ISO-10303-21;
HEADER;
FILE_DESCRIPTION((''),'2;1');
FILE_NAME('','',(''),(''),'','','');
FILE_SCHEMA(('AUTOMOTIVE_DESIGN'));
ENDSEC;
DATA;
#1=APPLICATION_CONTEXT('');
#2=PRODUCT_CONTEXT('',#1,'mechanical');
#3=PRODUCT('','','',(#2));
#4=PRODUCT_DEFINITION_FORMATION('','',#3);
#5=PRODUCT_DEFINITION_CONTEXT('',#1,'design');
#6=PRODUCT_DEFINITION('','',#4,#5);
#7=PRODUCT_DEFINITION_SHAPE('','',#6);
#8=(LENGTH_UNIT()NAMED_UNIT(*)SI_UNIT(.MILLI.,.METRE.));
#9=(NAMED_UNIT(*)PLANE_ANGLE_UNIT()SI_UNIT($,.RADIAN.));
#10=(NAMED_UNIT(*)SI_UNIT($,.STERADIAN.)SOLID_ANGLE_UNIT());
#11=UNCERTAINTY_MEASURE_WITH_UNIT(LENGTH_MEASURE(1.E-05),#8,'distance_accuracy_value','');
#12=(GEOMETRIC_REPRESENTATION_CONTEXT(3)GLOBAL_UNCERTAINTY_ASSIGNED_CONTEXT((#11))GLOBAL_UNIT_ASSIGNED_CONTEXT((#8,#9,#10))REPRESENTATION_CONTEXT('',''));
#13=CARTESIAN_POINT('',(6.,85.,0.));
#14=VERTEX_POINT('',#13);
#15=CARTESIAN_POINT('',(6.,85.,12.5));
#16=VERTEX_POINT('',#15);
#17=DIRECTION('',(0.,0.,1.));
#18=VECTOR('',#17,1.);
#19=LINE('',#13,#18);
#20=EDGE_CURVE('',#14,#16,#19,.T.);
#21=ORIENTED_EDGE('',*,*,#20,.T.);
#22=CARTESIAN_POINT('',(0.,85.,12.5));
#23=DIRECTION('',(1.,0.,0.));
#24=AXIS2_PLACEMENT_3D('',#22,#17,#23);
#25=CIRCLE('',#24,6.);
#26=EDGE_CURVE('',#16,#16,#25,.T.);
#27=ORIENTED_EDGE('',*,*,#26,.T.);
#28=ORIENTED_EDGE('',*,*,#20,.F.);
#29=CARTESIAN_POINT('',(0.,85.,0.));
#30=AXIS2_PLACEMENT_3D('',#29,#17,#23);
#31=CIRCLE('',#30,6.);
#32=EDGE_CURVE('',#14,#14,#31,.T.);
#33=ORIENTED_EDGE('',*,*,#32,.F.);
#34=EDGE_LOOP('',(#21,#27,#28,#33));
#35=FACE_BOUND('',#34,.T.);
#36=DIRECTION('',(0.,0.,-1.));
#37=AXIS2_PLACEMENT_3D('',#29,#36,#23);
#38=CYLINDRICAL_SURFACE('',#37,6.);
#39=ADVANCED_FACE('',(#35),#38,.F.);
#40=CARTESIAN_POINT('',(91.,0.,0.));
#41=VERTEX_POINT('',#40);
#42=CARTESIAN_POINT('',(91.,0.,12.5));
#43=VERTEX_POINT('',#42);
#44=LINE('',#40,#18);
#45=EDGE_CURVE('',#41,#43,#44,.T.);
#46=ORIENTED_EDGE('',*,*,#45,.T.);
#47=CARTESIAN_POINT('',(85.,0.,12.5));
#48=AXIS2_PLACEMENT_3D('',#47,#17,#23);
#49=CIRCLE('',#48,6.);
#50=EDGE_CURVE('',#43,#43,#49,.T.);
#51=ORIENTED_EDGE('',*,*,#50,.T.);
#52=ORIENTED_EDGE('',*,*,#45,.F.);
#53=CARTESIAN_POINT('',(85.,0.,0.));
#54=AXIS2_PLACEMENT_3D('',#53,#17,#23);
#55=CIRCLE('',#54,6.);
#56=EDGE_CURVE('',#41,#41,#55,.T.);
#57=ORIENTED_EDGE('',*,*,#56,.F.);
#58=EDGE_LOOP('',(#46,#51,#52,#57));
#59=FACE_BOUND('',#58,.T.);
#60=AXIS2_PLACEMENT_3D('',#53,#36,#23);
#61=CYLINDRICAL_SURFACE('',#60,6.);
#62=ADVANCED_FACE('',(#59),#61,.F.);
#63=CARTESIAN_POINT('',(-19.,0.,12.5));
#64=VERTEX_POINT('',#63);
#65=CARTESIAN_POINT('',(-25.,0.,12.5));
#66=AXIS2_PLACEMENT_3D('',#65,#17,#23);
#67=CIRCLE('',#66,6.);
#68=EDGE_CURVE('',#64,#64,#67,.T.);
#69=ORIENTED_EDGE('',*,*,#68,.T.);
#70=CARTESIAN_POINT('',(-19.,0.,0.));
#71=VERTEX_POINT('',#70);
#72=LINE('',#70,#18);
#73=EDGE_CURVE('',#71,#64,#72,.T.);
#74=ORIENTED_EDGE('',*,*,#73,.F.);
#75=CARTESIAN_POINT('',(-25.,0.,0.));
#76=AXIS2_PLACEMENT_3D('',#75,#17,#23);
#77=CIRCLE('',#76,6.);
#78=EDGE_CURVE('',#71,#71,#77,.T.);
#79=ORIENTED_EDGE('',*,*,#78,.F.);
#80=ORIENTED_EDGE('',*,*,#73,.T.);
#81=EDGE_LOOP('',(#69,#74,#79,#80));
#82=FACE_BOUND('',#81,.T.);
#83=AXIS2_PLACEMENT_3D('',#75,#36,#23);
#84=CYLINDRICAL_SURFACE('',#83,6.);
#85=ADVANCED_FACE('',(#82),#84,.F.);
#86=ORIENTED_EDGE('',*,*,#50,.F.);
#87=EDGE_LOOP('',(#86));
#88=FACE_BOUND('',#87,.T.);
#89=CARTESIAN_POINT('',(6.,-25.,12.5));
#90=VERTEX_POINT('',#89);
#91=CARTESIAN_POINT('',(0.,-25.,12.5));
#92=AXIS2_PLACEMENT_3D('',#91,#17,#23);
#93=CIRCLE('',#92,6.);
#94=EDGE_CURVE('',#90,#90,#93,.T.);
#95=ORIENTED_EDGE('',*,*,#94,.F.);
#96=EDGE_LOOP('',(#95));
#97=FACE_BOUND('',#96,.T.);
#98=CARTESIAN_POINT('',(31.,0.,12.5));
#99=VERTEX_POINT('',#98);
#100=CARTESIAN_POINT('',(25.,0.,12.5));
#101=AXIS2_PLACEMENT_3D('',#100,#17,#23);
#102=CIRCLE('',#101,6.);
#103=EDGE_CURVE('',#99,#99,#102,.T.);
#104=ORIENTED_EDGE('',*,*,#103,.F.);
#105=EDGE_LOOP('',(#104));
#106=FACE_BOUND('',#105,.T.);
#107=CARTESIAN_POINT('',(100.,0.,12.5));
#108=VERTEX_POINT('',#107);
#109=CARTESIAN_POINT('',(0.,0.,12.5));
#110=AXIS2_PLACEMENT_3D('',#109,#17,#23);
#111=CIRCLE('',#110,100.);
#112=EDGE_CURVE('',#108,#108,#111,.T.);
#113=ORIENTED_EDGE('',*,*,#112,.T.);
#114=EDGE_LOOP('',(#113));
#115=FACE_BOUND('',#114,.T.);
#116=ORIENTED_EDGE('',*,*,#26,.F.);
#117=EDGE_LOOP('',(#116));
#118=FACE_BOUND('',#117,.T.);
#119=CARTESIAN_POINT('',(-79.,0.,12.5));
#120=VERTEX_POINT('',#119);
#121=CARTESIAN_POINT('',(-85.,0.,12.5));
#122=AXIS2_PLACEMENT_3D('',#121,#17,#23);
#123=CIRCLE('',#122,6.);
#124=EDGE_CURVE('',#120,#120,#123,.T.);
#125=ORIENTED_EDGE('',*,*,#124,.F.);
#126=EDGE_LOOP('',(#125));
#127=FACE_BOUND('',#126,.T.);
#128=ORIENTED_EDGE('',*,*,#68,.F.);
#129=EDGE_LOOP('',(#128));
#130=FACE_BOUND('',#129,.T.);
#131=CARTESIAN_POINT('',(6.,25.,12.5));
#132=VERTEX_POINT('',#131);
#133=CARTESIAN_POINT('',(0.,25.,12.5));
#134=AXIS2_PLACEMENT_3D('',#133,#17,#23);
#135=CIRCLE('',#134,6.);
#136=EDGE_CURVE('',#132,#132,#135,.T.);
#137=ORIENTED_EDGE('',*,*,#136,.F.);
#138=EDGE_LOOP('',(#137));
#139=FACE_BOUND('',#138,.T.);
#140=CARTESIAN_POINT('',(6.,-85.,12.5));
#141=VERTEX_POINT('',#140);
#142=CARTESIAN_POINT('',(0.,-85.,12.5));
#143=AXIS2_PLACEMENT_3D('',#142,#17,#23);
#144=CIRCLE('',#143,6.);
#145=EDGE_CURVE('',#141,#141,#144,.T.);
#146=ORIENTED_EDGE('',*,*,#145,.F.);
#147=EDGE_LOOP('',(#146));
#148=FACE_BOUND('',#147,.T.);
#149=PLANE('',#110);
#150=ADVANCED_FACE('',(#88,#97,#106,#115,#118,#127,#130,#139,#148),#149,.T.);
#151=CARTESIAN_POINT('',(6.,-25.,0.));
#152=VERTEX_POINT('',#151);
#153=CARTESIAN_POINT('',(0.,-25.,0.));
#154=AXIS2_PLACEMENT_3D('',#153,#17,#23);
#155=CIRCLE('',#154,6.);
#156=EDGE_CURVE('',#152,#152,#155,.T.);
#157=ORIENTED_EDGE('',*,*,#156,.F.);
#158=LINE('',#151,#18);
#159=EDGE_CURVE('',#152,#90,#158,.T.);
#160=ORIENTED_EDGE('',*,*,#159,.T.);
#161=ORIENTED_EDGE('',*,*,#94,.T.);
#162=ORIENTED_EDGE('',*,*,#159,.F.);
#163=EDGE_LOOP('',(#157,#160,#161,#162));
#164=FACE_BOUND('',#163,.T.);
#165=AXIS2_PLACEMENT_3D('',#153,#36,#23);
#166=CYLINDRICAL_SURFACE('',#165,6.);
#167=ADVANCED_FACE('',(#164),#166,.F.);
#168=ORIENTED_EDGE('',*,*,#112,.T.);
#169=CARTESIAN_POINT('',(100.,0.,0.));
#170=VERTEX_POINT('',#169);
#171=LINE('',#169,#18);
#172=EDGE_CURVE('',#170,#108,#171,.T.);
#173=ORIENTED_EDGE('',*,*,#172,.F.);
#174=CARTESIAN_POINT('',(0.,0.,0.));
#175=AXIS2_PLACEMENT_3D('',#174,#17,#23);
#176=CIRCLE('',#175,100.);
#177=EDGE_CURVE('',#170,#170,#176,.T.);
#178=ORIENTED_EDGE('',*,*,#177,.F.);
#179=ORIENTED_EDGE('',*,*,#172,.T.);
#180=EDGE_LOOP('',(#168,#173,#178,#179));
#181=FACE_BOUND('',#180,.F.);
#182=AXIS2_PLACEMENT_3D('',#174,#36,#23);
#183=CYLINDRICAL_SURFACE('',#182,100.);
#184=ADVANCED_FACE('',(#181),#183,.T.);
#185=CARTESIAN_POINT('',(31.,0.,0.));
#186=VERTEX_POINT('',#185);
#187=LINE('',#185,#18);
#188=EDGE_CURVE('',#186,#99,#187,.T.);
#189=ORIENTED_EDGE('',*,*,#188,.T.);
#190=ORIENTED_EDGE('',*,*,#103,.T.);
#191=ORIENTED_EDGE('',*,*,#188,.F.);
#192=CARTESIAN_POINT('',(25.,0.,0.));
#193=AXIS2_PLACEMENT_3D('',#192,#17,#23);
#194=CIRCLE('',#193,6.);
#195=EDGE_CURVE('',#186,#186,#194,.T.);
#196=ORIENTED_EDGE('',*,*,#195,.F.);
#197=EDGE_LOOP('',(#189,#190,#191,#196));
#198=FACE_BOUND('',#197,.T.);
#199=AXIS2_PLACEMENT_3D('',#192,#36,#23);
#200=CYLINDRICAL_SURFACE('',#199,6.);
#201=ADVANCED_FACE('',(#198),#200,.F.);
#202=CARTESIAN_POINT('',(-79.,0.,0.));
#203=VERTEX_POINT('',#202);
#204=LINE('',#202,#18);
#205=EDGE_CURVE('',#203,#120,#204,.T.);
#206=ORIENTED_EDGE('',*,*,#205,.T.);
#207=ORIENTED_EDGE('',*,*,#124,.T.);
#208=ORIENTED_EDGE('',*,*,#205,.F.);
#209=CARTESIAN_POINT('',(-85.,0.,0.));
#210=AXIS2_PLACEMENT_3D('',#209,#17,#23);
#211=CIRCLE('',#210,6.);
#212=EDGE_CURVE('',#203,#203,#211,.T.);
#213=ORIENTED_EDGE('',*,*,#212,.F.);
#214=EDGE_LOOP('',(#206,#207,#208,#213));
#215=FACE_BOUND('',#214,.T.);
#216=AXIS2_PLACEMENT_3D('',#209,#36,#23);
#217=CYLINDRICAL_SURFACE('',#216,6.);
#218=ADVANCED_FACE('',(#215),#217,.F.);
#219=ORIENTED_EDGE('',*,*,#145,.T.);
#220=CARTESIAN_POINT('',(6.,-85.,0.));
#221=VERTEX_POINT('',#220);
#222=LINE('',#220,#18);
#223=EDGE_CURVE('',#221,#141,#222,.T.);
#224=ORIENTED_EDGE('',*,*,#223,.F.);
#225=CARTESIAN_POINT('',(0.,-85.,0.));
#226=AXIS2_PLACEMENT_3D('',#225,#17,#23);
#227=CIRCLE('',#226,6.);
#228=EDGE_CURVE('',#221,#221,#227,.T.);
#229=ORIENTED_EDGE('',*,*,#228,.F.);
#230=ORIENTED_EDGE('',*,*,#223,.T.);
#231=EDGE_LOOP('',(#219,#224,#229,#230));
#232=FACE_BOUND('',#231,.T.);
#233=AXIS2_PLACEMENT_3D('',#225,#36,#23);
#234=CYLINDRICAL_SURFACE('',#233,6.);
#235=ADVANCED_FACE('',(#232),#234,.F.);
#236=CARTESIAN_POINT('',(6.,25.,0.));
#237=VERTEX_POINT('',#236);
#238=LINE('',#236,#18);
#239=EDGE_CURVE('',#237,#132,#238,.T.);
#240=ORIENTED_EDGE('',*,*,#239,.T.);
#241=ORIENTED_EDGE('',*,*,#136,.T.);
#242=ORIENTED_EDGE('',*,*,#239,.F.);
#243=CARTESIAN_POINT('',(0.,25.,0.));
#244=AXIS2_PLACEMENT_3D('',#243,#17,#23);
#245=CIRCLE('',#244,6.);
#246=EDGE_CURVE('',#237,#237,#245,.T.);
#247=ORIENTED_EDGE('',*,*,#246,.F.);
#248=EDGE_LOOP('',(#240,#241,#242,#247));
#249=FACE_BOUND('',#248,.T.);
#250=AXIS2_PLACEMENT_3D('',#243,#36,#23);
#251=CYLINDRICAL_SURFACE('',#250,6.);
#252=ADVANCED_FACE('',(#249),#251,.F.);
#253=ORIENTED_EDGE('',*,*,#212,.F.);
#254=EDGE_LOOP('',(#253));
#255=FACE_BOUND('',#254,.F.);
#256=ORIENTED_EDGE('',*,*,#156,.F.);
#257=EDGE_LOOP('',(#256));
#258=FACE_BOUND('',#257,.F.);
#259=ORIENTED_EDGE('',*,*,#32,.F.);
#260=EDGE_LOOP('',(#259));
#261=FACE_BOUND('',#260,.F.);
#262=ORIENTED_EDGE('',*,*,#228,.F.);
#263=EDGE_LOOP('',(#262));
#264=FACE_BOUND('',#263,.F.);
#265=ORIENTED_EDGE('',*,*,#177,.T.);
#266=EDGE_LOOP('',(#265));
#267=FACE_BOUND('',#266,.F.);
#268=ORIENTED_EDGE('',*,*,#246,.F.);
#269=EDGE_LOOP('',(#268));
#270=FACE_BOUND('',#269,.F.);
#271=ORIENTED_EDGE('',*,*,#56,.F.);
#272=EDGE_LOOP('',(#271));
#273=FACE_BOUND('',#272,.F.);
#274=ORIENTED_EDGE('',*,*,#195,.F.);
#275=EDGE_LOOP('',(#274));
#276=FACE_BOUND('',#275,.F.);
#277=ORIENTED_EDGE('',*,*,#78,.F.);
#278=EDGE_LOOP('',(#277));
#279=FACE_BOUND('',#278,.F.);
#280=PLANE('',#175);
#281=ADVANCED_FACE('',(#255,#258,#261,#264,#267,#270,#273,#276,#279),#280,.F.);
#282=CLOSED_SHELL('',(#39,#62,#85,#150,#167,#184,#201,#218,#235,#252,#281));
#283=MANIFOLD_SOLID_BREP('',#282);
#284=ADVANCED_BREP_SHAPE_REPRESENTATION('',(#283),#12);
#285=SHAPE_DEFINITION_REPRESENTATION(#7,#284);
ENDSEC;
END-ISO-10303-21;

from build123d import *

# Parameters (mm, degrees)
F0_R     = 100
F0_R_2   = 6
F1_DEPTH = 12.5


with BuildPart() as f1:
    # F0 (on Top) → F1 (new body)
    with BuildSketch(Plane.XY):
        Circle(F0_R)
        with Locations((0, -85)):
            Circle(F0_R_2, mode=Mode.SUBTRACT)
        with Locations((0, -25)):
            Circle(F0_R_2, mode=Mode.SUBTRACT)
        with Locations((-85, 0)):
            Circle(F0_R_2, mode=Mode.SUBTRACT)
        with Locations((-25, 0)):
            Circle(F0_R_2, mode=Mode.SUBTRACT)
        with Locations((25, 0)):
            Circle(F0_R_2, mode=Mode.SUBTRACT)
        with Locations((0, 25)):
            Circle(F0_R_2, mode=Mode.SUBTRACT)
        with Locations((85, 0)):
            Circle(F0_R_2, mode=Mode.SUBTRACT)
        with Locations((0, 85)):
            Circle(F0_R_2, mode=Mode.SUBTRACT)
    extrude(amount=F1_DEPTH)


solid = f1.part
